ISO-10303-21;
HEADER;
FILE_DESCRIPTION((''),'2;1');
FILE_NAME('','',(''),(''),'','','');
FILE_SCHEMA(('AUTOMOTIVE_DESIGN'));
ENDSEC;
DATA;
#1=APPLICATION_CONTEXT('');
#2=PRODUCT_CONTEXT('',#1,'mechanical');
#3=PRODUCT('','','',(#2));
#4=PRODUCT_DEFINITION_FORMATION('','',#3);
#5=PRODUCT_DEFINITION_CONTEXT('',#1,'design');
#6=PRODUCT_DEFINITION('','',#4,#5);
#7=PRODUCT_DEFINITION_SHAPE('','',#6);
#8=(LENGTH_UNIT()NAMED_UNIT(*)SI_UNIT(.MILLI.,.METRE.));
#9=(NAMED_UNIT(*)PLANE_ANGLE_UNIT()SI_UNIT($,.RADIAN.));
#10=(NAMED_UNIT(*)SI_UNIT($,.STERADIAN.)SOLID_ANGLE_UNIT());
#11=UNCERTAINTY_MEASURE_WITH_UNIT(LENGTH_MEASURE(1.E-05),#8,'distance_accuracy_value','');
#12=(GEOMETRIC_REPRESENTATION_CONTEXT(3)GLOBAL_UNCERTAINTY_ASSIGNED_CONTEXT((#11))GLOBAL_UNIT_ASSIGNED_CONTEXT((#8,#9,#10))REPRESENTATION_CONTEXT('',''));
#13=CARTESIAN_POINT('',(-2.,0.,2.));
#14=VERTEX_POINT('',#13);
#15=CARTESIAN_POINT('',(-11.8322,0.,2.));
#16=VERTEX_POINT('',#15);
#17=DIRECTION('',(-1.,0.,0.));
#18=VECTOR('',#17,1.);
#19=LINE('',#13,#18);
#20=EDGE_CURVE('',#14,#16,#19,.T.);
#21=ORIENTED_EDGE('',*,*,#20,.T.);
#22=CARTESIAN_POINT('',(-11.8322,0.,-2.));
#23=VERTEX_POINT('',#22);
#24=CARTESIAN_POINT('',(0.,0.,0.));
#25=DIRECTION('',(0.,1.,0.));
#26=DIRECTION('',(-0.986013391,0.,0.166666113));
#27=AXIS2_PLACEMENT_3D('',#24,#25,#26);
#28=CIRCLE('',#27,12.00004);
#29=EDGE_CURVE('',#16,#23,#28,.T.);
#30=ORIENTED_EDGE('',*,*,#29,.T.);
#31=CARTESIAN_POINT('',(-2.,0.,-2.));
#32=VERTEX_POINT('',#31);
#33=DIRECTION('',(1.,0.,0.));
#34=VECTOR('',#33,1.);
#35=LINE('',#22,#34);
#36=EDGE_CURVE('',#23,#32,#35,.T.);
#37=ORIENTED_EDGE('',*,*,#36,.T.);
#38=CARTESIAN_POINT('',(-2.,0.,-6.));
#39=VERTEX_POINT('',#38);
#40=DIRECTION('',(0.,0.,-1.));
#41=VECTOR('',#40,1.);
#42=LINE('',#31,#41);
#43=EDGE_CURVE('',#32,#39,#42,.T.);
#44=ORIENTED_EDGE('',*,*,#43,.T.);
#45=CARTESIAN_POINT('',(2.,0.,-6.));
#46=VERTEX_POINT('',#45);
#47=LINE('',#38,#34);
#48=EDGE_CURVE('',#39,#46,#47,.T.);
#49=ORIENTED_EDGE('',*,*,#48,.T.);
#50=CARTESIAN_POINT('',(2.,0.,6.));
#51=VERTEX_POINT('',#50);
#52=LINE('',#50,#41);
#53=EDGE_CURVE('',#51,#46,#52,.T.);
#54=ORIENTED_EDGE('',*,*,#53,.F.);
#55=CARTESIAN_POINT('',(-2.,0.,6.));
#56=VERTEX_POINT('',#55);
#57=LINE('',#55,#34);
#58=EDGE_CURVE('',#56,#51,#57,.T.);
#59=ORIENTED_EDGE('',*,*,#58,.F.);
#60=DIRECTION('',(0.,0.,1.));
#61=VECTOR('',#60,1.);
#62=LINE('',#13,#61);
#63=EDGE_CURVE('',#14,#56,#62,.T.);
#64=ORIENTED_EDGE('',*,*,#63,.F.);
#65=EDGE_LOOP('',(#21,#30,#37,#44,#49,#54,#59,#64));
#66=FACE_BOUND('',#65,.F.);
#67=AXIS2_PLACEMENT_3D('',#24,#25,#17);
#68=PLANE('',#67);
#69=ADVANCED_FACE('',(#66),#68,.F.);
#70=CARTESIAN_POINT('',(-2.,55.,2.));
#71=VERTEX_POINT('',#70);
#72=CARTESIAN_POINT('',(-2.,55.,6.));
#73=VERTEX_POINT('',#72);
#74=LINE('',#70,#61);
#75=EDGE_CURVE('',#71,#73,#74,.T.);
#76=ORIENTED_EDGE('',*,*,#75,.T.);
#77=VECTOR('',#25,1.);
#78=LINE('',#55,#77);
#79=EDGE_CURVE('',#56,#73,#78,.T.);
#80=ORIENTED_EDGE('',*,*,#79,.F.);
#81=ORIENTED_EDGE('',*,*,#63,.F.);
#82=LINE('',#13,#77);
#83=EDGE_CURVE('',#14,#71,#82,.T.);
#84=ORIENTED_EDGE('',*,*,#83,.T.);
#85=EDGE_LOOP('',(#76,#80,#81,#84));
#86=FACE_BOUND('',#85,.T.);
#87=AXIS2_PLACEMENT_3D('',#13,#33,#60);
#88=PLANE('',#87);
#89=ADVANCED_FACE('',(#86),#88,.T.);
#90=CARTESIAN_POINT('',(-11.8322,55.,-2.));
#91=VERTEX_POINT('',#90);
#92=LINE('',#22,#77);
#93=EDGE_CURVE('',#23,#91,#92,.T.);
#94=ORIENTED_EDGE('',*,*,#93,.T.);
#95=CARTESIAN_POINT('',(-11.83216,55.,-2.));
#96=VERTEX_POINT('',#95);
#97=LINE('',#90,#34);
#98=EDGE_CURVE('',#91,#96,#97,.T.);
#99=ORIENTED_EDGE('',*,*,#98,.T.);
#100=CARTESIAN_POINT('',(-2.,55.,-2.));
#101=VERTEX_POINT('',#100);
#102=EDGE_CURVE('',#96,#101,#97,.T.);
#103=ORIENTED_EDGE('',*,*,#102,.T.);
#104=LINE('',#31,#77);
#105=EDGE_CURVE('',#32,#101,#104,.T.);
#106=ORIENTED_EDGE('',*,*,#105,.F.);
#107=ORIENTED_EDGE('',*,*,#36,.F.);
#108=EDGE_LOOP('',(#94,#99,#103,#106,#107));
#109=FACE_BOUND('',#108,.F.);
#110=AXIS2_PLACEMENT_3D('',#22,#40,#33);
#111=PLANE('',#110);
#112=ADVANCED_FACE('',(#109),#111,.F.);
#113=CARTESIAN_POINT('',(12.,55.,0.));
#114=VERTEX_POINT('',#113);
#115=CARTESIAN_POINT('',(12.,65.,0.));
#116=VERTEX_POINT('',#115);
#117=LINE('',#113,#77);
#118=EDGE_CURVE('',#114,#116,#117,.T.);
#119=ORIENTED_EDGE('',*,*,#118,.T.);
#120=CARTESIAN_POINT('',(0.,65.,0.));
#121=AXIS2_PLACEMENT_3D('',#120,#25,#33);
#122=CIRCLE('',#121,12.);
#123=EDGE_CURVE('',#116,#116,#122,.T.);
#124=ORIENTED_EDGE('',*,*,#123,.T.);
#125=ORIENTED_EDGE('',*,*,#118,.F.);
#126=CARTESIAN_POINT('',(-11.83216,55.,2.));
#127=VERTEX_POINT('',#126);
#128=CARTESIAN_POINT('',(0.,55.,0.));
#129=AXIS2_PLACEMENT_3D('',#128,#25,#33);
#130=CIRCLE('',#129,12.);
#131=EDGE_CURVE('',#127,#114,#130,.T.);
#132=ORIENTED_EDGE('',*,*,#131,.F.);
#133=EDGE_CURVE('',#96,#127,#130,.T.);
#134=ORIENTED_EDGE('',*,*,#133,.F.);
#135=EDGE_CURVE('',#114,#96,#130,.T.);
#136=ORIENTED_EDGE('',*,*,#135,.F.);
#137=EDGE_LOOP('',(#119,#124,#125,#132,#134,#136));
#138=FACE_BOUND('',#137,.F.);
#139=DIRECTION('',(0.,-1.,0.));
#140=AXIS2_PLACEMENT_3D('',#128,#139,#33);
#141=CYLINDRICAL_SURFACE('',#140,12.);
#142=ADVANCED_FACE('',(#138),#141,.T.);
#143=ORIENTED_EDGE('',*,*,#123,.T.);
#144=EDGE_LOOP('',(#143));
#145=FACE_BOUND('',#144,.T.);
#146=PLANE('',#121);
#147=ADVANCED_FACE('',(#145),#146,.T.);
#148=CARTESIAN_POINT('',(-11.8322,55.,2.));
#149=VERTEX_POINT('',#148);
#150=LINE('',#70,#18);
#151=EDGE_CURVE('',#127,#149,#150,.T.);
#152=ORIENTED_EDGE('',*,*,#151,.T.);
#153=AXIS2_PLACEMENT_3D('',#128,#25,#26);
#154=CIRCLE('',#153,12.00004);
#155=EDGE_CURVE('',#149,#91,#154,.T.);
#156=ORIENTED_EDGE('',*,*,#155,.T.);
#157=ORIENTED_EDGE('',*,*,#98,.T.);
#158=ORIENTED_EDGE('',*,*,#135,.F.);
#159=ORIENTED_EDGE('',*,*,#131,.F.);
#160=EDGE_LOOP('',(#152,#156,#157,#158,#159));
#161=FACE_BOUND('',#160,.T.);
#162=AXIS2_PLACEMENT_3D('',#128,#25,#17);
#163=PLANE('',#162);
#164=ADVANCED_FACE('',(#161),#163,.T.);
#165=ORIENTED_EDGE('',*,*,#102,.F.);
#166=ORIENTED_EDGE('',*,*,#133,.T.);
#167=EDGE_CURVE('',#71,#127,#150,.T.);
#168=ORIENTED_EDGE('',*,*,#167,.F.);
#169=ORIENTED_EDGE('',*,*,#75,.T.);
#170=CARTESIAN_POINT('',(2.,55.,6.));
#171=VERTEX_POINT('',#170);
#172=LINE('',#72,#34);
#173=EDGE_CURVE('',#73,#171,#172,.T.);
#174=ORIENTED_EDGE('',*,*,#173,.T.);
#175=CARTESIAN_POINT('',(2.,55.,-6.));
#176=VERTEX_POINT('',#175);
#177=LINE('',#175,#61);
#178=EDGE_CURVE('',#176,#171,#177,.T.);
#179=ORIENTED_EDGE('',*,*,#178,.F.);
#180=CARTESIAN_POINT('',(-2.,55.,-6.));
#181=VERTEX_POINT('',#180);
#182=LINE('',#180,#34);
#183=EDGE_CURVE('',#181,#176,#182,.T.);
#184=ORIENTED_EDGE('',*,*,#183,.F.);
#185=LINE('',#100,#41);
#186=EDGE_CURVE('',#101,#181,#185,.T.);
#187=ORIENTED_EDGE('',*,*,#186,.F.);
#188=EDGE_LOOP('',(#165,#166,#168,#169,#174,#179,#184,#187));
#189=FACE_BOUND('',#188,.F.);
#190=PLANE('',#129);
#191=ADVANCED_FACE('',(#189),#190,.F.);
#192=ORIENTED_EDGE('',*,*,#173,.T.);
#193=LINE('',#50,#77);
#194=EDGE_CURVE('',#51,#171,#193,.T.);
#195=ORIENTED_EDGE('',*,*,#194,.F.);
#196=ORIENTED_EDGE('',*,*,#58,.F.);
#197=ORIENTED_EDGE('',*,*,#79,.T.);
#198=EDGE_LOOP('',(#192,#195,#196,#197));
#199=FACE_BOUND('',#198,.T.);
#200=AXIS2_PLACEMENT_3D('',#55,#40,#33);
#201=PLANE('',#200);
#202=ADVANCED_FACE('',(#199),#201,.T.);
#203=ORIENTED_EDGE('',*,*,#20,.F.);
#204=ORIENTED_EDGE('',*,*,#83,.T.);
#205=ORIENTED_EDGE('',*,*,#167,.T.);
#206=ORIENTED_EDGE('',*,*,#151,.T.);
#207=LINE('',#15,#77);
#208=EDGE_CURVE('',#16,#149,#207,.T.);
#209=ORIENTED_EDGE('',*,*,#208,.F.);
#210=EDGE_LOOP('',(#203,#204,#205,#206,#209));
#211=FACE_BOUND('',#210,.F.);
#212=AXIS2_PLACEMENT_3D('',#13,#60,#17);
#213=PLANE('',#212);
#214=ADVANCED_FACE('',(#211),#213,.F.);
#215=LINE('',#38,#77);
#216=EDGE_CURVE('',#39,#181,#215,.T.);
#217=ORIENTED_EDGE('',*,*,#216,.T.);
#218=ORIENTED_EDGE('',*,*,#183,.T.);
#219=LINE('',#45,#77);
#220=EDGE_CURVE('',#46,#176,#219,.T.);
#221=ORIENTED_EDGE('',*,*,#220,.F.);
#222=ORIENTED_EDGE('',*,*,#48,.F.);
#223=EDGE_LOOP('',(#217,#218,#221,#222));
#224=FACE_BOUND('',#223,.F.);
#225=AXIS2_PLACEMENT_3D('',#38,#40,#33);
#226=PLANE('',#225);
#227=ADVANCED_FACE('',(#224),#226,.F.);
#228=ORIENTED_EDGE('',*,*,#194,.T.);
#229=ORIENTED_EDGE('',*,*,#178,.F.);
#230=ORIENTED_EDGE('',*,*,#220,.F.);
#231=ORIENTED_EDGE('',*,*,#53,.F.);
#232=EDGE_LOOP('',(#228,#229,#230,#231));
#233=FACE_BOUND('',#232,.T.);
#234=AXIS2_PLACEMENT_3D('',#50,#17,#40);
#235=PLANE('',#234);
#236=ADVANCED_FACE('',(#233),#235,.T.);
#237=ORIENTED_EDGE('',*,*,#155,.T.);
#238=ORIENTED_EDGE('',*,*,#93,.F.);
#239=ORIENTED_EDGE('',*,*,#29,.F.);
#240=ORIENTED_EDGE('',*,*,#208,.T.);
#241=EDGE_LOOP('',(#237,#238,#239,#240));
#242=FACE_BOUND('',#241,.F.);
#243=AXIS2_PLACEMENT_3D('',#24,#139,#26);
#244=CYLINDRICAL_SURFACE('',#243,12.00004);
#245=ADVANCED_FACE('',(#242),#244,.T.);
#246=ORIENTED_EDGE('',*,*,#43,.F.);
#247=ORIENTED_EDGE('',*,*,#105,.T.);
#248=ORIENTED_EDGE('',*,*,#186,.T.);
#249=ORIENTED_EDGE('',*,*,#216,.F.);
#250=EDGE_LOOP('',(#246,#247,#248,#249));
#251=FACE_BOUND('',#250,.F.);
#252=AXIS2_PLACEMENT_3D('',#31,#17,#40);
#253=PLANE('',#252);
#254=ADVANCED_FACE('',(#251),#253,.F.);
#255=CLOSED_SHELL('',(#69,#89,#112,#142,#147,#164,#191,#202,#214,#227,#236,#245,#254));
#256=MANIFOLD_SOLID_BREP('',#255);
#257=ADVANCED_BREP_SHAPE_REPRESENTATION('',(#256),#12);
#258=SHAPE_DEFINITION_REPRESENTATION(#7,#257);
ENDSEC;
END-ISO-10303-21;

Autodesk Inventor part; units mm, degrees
ref_plane "YZ Plane" through (0, 0, 0) normal (1, 0, 0) x (0, 1, 0)
ref_plane "XZ Plane" through (0, 0, 0) normal (0, 1, 0) x (-1, 0, 0)
ref_plane "XY Plane" through (0, 0, 0) normal (0, 0, 1) x (1, 0, 0)
sketch "Esboço1" plane through (0, 0, 0) normal (0, 1, 0) x (-1, 0, 0)
  arc A0 (11.8322, 2) -> (11.8322, -2) centre (0, 0) ccw
  line L0 (-2, 6) -> (-2, 2)
  line L1 (-2, 2) -> (-2, -2)
  line L2 (-2, -2) -> (-2, -6)
  line L3 (2, 2) -> (11.8322, 2)
  line L4 (2, 2) -> (2, 6)
  line L5 (2, 6) -> (-2, 6)
  line L6 (2, -2) -> (2, -6)
  line L7 (2, -6) -> (-2, -6)
  line L8 (11.8322, -2) -> (2, -2)
extrude "Extrusão1" add sketch "Esboço1" along normal blind 55
sketch "Esboço2" plane through (0, 55, 0) normal (0, 1, 0) x (1, 0, 0)
  circle A0 centre (0, 0) radius 12
extrude "Extrusão2" add sketch "Esboço2" along normal blind 10
properties part number "cilindro" material "ABS plástico"
